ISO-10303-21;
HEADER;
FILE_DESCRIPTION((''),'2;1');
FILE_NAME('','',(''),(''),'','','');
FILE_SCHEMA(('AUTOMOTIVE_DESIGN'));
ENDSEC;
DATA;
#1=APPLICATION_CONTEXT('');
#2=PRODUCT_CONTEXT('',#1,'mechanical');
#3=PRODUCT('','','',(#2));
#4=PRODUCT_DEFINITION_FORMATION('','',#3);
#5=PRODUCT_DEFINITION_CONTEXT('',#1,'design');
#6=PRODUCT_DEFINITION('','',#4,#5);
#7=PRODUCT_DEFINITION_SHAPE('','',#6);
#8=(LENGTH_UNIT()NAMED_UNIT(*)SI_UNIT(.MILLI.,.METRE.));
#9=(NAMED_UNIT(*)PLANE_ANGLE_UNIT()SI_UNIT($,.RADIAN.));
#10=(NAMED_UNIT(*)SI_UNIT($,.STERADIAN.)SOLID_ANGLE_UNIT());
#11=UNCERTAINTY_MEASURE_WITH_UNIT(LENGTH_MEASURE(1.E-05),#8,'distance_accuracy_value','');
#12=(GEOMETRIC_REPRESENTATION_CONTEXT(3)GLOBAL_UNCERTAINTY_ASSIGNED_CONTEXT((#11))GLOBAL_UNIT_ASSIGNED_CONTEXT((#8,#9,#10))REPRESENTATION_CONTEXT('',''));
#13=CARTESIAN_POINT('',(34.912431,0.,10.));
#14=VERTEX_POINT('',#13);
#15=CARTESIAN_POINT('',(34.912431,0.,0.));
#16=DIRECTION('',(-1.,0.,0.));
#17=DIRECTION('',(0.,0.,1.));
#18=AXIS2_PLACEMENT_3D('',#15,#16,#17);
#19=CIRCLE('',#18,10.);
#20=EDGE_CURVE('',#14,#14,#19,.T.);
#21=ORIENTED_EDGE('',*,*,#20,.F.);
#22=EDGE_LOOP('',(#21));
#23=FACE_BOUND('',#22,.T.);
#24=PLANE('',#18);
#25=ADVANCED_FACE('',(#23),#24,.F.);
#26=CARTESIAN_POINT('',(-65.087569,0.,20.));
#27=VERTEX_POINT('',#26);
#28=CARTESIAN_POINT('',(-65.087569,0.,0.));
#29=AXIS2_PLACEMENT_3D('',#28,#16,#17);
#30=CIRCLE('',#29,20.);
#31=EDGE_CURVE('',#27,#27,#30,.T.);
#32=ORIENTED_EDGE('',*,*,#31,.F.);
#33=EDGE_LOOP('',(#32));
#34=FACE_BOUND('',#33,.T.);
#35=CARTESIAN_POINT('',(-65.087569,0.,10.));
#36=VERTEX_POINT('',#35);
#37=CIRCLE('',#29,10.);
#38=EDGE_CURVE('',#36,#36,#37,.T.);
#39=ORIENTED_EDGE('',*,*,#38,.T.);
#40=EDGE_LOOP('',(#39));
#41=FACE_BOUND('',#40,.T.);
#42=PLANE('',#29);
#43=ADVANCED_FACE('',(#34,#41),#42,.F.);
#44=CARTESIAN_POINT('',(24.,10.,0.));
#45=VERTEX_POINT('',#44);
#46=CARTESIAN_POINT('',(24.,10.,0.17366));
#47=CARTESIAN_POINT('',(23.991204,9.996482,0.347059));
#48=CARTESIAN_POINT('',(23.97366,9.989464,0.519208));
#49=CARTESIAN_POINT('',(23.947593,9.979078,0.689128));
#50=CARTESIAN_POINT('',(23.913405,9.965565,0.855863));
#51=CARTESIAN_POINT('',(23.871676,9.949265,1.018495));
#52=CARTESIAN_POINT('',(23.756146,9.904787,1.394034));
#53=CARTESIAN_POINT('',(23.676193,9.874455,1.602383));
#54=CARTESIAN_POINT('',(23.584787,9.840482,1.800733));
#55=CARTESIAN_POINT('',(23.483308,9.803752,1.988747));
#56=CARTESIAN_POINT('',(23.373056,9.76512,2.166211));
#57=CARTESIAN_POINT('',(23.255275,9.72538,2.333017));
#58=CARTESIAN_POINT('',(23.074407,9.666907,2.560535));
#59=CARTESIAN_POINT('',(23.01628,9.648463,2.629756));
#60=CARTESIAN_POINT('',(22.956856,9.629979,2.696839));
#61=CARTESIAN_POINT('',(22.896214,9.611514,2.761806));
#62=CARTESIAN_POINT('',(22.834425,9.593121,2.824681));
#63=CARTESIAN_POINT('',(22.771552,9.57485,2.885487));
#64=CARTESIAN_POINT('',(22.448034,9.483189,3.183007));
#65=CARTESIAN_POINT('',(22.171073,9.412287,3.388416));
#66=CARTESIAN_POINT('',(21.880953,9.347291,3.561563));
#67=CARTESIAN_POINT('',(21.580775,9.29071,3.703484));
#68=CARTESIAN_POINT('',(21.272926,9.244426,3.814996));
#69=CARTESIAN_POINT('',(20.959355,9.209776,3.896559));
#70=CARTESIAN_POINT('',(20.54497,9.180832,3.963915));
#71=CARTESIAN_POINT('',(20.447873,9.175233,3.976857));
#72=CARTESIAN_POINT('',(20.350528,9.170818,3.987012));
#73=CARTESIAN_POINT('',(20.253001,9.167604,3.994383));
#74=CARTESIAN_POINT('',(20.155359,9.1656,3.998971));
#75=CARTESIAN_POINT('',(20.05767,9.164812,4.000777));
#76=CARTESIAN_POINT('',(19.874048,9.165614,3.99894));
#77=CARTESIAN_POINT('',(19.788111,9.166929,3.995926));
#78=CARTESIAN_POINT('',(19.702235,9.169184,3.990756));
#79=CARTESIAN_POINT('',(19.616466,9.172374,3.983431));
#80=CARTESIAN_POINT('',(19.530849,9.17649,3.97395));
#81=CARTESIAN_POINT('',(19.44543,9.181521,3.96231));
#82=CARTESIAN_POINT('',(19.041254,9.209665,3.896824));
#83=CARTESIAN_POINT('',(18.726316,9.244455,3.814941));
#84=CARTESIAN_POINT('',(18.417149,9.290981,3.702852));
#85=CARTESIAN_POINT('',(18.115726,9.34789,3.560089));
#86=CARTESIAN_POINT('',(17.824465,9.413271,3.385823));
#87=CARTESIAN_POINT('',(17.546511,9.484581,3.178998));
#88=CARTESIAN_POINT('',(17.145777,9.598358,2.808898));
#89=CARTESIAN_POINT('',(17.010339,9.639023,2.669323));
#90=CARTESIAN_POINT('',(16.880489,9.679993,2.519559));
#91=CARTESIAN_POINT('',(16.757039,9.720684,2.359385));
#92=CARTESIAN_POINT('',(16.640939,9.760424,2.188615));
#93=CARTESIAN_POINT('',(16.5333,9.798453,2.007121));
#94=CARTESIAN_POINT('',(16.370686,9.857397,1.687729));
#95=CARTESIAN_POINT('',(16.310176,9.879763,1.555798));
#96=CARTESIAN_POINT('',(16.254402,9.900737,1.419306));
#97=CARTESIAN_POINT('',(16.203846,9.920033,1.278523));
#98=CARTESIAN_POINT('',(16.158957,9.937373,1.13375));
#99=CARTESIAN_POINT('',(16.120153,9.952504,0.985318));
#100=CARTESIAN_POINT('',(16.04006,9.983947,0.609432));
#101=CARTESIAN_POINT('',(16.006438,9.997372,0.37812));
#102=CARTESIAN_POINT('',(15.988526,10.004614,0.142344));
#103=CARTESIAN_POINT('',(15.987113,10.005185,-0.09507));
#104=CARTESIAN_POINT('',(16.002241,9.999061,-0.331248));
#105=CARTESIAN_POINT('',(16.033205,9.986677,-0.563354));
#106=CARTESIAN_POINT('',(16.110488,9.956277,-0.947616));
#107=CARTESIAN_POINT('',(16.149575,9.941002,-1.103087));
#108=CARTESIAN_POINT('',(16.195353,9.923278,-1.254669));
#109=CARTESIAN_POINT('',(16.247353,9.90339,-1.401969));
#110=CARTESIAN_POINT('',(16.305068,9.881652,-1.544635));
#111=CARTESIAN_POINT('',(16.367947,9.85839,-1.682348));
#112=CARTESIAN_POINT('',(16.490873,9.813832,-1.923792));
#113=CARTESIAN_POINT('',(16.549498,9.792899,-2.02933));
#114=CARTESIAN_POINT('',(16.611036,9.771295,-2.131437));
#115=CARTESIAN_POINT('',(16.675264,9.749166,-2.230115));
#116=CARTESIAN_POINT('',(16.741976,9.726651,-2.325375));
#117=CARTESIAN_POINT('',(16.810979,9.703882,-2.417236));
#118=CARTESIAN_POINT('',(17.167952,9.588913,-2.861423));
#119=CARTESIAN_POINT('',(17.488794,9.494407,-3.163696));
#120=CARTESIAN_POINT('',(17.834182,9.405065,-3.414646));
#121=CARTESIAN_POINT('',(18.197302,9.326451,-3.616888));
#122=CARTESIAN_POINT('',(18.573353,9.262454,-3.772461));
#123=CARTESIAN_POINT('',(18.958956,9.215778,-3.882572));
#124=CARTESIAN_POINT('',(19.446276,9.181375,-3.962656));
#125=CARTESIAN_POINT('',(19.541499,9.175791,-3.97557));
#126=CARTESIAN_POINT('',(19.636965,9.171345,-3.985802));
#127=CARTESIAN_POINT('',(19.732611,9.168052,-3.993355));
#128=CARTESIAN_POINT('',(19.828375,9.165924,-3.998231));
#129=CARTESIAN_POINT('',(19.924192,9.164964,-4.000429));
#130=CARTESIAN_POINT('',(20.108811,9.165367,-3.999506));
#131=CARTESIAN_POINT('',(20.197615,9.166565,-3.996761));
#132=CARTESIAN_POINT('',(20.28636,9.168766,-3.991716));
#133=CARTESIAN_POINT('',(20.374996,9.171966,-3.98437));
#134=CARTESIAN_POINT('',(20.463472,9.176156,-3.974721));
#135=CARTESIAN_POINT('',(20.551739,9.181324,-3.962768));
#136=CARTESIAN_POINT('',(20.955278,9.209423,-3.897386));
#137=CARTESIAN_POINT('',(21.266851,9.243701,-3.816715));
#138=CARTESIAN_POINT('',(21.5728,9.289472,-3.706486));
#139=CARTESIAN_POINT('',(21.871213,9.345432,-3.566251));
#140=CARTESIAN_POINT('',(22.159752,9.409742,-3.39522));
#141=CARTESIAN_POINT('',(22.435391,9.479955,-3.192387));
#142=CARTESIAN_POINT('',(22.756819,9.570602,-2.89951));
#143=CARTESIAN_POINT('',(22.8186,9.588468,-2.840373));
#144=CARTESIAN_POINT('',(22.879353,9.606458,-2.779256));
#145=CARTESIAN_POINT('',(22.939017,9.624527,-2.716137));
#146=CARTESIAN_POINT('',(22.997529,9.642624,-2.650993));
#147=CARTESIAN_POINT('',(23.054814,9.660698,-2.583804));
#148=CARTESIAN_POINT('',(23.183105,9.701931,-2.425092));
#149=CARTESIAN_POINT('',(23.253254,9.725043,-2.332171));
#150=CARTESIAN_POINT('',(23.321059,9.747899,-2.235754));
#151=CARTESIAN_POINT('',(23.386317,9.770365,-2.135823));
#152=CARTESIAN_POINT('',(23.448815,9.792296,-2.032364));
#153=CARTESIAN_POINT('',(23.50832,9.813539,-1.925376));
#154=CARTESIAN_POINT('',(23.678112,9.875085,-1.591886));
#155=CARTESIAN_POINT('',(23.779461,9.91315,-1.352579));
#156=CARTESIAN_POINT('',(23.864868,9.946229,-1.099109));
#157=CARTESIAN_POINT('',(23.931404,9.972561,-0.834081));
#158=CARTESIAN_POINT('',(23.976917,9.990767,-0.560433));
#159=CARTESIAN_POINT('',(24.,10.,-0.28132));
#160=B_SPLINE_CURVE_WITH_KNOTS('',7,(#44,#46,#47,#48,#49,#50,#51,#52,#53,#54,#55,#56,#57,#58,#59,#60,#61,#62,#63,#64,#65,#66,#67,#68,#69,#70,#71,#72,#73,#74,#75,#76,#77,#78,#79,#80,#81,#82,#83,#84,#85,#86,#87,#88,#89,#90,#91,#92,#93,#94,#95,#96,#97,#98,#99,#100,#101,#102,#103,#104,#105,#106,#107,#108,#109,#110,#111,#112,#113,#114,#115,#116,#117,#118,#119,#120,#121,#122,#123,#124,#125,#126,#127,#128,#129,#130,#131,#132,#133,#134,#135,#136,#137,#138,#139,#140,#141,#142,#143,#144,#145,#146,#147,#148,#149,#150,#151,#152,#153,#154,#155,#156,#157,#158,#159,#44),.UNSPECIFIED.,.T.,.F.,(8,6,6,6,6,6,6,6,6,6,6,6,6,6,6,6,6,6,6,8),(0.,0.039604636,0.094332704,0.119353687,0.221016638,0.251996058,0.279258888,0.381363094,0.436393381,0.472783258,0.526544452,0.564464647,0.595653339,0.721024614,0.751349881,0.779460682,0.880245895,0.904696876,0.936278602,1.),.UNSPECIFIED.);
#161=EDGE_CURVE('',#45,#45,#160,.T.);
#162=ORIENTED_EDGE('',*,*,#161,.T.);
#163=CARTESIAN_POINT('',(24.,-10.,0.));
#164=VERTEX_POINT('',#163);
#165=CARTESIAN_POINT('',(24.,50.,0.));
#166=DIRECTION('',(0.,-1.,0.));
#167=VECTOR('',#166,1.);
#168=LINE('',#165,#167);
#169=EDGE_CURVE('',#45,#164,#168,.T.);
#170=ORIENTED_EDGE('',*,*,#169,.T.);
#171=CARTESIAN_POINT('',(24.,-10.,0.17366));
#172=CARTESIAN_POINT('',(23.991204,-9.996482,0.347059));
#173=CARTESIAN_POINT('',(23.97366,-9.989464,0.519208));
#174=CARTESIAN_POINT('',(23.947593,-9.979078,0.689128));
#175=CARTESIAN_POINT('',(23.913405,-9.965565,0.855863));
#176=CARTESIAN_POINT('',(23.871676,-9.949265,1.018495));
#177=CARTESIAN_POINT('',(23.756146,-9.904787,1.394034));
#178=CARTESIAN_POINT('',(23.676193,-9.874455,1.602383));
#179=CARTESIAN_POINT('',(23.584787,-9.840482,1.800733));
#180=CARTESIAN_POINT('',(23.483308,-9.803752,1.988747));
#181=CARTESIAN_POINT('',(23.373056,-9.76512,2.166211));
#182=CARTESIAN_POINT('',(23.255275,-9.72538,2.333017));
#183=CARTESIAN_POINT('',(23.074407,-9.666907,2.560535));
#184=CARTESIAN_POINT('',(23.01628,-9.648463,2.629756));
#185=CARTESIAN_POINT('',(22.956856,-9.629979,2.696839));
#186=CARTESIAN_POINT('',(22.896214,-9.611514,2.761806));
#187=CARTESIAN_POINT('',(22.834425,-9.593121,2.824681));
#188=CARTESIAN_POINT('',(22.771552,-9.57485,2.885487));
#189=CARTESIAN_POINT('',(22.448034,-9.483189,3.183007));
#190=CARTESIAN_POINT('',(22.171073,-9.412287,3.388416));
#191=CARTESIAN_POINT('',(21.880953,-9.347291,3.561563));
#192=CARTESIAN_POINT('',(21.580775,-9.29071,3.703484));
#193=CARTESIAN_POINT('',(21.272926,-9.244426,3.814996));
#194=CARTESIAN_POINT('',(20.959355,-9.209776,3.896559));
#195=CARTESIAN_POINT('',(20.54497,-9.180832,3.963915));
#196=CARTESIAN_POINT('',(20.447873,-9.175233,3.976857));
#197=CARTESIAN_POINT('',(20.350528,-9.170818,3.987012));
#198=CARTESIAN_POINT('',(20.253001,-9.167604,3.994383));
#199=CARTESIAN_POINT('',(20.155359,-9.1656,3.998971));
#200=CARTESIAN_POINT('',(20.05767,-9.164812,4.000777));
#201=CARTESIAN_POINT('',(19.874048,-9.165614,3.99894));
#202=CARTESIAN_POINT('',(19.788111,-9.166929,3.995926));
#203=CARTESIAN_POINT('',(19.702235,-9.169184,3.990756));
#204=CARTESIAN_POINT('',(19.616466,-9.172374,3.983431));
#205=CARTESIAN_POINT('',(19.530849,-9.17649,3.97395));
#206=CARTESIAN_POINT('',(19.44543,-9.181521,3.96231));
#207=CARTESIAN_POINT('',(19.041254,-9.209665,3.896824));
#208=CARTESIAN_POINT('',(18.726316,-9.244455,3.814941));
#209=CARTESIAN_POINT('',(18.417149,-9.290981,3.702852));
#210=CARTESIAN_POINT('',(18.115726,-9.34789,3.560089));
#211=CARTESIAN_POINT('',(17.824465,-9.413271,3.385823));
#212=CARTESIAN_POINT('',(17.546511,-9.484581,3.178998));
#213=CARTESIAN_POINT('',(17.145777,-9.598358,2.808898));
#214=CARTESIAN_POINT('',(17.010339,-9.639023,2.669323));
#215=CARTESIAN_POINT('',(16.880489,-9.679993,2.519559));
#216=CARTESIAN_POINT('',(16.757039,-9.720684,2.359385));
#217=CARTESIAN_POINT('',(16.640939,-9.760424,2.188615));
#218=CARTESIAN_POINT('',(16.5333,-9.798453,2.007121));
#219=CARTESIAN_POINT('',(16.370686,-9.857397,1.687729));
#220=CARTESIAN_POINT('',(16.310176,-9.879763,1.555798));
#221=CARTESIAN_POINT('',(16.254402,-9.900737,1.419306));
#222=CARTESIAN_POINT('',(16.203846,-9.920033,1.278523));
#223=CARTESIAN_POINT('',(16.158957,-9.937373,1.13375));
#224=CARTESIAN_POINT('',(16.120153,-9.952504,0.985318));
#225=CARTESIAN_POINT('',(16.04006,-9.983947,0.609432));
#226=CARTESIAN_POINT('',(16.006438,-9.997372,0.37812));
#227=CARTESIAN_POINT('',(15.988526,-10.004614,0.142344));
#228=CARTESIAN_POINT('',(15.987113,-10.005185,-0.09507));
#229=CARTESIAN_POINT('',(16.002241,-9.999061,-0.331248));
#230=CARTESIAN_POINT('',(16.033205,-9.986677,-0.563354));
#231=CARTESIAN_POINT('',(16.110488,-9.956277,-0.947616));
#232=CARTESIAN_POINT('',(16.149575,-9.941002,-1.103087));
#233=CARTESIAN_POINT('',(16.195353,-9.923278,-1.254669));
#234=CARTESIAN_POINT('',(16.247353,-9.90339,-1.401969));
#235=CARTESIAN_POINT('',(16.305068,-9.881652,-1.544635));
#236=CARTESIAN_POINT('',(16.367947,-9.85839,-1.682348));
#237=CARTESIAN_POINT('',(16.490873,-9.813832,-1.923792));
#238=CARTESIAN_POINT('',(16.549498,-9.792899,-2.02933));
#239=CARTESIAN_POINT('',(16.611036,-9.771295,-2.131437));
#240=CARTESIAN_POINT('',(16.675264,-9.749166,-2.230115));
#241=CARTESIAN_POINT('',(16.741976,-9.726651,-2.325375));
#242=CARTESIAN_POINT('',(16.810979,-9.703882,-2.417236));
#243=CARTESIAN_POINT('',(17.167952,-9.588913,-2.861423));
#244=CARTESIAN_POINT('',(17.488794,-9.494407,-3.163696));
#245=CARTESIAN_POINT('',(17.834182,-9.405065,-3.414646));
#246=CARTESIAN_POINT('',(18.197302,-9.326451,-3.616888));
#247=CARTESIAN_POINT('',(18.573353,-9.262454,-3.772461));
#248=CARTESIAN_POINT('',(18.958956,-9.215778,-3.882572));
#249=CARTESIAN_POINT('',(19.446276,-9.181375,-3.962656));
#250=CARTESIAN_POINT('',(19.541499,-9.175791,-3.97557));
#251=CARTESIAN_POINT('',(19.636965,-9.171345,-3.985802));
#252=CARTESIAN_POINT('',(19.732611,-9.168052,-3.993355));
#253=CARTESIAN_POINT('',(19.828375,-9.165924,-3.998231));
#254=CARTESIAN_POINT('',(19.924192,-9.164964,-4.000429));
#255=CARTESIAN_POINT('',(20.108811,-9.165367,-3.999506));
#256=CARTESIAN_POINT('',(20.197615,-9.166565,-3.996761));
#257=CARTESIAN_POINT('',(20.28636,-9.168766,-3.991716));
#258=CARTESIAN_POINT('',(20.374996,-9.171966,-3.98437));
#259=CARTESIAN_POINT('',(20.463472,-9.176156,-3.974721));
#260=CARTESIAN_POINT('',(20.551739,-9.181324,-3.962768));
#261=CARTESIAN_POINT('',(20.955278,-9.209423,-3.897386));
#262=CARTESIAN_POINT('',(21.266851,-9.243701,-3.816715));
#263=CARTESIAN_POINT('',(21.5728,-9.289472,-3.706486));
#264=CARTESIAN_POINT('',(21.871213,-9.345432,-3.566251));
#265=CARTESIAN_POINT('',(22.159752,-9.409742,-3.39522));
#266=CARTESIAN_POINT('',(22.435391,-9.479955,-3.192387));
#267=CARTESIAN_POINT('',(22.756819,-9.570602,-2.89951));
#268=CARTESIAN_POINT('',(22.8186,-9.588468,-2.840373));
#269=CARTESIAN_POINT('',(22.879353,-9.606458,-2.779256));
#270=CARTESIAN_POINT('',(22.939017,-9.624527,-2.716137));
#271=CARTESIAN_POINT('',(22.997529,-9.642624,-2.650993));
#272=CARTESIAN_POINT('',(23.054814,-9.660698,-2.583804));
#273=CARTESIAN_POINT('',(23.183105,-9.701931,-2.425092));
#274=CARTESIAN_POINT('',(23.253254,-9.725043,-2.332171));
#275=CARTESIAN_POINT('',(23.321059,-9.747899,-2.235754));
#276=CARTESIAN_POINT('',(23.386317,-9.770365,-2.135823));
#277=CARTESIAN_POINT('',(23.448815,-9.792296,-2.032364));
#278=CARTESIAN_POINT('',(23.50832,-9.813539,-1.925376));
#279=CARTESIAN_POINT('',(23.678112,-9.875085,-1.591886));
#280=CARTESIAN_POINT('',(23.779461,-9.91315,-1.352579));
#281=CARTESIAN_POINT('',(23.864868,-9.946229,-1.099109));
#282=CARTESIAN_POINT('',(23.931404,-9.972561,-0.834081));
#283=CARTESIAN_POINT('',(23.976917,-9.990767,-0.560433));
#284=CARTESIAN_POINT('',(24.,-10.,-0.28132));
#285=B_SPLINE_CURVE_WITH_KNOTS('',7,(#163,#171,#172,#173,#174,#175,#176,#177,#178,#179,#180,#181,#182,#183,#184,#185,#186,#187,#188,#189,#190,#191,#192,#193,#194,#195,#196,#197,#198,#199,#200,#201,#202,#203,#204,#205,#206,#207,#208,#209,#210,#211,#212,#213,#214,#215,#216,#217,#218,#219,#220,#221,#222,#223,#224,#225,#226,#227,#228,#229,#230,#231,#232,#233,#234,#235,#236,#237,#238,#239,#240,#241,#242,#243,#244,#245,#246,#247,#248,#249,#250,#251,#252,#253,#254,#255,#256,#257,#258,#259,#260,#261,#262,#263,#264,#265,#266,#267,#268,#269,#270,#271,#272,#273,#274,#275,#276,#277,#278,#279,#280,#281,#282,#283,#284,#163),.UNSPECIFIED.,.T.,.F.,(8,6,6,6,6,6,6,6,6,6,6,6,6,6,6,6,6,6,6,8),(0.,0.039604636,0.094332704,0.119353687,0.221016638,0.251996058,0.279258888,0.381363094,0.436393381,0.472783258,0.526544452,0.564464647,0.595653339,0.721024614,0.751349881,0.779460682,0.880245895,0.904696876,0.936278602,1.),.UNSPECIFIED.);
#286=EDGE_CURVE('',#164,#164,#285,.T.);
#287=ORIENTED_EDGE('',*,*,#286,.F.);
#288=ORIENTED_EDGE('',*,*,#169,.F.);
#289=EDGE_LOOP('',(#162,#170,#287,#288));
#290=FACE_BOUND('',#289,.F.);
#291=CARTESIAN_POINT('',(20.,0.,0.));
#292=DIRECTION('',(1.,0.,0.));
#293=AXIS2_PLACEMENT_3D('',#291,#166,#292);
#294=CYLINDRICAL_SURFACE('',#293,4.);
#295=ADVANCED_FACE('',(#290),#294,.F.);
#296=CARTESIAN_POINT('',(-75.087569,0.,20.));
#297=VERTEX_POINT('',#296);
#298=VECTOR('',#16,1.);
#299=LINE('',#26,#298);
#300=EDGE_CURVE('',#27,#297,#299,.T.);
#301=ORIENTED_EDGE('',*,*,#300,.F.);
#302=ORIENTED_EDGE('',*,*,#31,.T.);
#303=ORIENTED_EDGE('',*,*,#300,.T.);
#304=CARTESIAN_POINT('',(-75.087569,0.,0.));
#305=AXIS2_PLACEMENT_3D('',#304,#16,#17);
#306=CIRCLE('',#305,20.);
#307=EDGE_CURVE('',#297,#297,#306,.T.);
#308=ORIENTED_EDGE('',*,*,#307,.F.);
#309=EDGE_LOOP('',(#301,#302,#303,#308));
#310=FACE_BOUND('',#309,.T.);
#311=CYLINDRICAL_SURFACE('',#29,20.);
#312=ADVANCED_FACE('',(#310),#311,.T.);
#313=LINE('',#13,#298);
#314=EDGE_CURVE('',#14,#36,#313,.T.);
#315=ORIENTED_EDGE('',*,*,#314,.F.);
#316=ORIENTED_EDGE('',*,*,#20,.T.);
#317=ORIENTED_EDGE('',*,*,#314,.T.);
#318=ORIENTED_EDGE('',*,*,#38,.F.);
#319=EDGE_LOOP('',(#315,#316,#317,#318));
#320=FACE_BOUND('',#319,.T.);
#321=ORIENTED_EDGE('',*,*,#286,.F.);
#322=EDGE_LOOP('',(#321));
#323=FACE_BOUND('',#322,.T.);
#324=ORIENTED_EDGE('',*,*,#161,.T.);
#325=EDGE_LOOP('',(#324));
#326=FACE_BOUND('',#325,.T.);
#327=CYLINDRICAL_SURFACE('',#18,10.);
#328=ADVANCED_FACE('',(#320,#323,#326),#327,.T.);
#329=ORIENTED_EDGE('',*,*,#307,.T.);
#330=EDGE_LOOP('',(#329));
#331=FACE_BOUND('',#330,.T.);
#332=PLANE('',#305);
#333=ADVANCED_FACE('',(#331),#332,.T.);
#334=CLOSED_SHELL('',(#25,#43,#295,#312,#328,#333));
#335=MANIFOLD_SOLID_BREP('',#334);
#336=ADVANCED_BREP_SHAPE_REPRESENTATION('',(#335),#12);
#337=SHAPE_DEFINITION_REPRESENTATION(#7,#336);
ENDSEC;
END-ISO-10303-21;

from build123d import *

# Parameters (mm, degrees)
F2_R     = 4
F3_DEPTH = 50


with BuildPart() as f1:
    # F0 (on Front) → F1 (revolve)
    with BuildSketch(Plane.XZ):
        Polygon((-75.0875687358, 20), (-75.0875687358, 0), (34.9124312642, 0), (34.9124312642, 10), (-65.0875687358, 10), (-65.0875687358, 20), align=None)
    revolve(axis=Axis((-20.0875687358, 0, 0), (-1, 0, 0)))

    # F2 (on Front) → F3 (cut, symmetric)
    with BuildSketch(Plane.XZ):
        with Locations((20, 0)):
            Circle(F2_R)
    extrude(amount=F3_DEPTH, both=True, mode=Mode.SUBTRACT)


solid = f1.part
